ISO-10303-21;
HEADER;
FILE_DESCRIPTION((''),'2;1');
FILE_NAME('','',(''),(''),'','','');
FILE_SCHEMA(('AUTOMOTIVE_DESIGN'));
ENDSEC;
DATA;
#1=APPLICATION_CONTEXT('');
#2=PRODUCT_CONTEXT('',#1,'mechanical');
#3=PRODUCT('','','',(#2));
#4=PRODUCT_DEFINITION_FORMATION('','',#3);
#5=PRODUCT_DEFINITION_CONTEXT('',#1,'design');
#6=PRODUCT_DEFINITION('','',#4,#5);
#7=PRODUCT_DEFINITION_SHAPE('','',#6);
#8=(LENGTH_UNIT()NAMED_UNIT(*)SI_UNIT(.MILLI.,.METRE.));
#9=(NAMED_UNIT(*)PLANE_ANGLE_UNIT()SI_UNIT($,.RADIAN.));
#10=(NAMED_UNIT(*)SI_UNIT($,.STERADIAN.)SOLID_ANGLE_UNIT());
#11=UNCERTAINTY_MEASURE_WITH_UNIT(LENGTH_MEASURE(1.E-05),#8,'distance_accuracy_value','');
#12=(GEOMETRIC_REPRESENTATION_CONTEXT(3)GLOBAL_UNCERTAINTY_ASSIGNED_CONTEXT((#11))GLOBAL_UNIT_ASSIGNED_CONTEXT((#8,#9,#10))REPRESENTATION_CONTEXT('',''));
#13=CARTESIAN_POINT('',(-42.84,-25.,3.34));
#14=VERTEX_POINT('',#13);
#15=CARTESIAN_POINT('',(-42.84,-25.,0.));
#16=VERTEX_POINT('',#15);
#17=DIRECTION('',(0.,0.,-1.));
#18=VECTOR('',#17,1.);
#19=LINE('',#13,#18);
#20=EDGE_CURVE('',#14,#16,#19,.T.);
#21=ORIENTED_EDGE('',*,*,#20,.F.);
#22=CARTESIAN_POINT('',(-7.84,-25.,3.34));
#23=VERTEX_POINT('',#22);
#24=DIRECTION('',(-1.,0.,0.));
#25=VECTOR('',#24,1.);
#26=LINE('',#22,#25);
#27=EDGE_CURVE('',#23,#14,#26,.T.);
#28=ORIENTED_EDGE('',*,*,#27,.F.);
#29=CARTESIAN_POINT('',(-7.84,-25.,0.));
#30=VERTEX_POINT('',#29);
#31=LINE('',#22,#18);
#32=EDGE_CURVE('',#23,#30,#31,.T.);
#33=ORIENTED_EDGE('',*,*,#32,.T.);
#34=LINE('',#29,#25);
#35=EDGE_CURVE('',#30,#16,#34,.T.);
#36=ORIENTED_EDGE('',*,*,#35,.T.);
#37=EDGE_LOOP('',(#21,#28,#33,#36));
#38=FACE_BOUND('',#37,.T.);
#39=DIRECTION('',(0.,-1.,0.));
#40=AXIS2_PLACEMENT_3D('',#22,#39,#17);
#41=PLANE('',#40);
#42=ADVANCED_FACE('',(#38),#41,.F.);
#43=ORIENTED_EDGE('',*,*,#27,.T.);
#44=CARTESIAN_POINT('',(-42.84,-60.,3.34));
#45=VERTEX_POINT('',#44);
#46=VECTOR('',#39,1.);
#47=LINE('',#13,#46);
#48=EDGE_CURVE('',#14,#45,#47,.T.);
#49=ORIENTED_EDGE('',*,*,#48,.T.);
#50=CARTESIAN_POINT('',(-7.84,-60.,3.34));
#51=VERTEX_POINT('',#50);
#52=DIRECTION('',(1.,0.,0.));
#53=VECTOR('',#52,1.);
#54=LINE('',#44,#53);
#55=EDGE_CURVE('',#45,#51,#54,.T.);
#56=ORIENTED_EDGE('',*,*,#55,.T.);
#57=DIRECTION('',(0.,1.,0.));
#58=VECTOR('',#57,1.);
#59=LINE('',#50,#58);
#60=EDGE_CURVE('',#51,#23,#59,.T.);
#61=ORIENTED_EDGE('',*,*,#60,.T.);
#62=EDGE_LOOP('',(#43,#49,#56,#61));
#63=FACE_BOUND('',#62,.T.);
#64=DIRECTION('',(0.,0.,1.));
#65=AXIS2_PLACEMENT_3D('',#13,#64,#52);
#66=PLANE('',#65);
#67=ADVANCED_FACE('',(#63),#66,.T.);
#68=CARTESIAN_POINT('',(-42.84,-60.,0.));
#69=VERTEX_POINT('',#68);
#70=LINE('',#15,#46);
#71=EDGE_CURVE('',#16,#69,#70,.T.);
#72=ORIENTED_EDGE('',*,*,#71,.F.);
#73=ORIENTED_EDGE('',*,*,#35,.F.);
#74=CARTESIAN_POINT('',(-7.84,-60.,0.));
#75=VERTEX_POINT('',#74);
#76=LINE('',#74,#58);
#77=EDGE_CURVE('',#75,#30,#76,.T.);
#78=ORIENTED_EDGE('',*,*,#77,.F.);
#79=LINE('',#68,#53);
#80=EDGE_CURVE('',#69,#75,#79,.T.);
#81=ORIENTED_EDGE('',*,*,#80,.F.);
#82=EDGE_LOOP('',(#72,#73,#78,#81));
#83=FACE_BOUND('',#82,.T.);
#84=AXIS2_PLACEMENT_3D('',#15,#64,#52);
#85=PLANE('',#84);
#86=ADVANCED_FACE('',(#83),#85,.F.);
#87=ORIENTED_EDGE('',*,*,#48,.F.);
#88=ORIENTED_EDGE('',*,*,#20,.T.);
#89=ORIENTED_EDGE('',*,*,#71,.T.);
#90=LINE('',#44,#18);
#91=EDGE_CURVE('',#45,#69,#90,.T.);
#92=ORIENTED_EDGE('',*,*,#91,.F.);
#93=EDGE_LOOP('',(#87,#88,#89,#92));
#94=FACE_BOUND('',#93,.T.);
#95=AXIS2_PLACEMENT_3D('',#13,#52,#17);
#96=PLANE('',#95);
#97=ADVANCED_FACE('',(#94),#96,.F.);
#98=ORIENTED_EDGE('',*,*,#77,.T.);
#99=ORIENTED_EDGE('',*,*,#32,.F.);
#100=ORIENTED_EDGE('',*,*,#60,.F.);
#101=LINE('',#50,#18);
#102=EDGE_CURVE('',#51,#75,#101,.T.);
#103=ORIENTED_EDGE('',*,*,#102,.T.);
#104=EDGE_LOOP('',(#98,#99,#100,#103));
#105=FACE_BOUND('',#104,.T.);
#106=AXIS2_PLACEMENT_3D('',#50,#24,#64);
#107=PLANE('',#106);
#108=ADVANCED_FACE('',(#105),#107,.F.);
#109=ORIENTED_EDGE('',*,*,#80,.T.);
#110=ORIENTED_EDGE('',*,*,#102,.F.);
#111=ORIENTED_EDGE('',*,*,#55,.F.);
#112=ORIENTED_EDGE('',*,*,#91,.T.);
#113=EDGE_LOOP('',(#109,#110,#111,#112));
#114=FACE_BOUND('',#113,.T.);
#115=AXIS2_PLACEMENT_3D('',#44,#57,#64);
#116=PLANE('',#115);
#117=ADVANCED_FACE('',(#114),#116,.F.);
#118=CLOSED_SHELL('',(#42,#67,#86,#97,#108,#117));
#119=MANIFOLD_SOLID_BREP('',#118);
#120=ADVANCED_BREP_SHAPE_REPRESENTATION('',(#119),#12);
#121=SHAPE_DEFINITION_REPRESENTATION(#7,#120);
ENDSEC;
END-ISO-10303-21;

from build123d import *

# Parameters (mm, degrees)
SKETCH1_W      = 35
SKETCH1_H      = 35
EXTRUDE1_DEPTH = 3.34


with BuildPart() as part:
    # Sketch1 → Extrude1 (new body)
    with BuildSketch(Plane.XY):
        with Locations((-25.34, -42.5)):
            Rectangle(SKETCH1_W, SKETCH1_H)
    extrude(amount=EXTRUDE1_DEPTH)


solid = part.part
